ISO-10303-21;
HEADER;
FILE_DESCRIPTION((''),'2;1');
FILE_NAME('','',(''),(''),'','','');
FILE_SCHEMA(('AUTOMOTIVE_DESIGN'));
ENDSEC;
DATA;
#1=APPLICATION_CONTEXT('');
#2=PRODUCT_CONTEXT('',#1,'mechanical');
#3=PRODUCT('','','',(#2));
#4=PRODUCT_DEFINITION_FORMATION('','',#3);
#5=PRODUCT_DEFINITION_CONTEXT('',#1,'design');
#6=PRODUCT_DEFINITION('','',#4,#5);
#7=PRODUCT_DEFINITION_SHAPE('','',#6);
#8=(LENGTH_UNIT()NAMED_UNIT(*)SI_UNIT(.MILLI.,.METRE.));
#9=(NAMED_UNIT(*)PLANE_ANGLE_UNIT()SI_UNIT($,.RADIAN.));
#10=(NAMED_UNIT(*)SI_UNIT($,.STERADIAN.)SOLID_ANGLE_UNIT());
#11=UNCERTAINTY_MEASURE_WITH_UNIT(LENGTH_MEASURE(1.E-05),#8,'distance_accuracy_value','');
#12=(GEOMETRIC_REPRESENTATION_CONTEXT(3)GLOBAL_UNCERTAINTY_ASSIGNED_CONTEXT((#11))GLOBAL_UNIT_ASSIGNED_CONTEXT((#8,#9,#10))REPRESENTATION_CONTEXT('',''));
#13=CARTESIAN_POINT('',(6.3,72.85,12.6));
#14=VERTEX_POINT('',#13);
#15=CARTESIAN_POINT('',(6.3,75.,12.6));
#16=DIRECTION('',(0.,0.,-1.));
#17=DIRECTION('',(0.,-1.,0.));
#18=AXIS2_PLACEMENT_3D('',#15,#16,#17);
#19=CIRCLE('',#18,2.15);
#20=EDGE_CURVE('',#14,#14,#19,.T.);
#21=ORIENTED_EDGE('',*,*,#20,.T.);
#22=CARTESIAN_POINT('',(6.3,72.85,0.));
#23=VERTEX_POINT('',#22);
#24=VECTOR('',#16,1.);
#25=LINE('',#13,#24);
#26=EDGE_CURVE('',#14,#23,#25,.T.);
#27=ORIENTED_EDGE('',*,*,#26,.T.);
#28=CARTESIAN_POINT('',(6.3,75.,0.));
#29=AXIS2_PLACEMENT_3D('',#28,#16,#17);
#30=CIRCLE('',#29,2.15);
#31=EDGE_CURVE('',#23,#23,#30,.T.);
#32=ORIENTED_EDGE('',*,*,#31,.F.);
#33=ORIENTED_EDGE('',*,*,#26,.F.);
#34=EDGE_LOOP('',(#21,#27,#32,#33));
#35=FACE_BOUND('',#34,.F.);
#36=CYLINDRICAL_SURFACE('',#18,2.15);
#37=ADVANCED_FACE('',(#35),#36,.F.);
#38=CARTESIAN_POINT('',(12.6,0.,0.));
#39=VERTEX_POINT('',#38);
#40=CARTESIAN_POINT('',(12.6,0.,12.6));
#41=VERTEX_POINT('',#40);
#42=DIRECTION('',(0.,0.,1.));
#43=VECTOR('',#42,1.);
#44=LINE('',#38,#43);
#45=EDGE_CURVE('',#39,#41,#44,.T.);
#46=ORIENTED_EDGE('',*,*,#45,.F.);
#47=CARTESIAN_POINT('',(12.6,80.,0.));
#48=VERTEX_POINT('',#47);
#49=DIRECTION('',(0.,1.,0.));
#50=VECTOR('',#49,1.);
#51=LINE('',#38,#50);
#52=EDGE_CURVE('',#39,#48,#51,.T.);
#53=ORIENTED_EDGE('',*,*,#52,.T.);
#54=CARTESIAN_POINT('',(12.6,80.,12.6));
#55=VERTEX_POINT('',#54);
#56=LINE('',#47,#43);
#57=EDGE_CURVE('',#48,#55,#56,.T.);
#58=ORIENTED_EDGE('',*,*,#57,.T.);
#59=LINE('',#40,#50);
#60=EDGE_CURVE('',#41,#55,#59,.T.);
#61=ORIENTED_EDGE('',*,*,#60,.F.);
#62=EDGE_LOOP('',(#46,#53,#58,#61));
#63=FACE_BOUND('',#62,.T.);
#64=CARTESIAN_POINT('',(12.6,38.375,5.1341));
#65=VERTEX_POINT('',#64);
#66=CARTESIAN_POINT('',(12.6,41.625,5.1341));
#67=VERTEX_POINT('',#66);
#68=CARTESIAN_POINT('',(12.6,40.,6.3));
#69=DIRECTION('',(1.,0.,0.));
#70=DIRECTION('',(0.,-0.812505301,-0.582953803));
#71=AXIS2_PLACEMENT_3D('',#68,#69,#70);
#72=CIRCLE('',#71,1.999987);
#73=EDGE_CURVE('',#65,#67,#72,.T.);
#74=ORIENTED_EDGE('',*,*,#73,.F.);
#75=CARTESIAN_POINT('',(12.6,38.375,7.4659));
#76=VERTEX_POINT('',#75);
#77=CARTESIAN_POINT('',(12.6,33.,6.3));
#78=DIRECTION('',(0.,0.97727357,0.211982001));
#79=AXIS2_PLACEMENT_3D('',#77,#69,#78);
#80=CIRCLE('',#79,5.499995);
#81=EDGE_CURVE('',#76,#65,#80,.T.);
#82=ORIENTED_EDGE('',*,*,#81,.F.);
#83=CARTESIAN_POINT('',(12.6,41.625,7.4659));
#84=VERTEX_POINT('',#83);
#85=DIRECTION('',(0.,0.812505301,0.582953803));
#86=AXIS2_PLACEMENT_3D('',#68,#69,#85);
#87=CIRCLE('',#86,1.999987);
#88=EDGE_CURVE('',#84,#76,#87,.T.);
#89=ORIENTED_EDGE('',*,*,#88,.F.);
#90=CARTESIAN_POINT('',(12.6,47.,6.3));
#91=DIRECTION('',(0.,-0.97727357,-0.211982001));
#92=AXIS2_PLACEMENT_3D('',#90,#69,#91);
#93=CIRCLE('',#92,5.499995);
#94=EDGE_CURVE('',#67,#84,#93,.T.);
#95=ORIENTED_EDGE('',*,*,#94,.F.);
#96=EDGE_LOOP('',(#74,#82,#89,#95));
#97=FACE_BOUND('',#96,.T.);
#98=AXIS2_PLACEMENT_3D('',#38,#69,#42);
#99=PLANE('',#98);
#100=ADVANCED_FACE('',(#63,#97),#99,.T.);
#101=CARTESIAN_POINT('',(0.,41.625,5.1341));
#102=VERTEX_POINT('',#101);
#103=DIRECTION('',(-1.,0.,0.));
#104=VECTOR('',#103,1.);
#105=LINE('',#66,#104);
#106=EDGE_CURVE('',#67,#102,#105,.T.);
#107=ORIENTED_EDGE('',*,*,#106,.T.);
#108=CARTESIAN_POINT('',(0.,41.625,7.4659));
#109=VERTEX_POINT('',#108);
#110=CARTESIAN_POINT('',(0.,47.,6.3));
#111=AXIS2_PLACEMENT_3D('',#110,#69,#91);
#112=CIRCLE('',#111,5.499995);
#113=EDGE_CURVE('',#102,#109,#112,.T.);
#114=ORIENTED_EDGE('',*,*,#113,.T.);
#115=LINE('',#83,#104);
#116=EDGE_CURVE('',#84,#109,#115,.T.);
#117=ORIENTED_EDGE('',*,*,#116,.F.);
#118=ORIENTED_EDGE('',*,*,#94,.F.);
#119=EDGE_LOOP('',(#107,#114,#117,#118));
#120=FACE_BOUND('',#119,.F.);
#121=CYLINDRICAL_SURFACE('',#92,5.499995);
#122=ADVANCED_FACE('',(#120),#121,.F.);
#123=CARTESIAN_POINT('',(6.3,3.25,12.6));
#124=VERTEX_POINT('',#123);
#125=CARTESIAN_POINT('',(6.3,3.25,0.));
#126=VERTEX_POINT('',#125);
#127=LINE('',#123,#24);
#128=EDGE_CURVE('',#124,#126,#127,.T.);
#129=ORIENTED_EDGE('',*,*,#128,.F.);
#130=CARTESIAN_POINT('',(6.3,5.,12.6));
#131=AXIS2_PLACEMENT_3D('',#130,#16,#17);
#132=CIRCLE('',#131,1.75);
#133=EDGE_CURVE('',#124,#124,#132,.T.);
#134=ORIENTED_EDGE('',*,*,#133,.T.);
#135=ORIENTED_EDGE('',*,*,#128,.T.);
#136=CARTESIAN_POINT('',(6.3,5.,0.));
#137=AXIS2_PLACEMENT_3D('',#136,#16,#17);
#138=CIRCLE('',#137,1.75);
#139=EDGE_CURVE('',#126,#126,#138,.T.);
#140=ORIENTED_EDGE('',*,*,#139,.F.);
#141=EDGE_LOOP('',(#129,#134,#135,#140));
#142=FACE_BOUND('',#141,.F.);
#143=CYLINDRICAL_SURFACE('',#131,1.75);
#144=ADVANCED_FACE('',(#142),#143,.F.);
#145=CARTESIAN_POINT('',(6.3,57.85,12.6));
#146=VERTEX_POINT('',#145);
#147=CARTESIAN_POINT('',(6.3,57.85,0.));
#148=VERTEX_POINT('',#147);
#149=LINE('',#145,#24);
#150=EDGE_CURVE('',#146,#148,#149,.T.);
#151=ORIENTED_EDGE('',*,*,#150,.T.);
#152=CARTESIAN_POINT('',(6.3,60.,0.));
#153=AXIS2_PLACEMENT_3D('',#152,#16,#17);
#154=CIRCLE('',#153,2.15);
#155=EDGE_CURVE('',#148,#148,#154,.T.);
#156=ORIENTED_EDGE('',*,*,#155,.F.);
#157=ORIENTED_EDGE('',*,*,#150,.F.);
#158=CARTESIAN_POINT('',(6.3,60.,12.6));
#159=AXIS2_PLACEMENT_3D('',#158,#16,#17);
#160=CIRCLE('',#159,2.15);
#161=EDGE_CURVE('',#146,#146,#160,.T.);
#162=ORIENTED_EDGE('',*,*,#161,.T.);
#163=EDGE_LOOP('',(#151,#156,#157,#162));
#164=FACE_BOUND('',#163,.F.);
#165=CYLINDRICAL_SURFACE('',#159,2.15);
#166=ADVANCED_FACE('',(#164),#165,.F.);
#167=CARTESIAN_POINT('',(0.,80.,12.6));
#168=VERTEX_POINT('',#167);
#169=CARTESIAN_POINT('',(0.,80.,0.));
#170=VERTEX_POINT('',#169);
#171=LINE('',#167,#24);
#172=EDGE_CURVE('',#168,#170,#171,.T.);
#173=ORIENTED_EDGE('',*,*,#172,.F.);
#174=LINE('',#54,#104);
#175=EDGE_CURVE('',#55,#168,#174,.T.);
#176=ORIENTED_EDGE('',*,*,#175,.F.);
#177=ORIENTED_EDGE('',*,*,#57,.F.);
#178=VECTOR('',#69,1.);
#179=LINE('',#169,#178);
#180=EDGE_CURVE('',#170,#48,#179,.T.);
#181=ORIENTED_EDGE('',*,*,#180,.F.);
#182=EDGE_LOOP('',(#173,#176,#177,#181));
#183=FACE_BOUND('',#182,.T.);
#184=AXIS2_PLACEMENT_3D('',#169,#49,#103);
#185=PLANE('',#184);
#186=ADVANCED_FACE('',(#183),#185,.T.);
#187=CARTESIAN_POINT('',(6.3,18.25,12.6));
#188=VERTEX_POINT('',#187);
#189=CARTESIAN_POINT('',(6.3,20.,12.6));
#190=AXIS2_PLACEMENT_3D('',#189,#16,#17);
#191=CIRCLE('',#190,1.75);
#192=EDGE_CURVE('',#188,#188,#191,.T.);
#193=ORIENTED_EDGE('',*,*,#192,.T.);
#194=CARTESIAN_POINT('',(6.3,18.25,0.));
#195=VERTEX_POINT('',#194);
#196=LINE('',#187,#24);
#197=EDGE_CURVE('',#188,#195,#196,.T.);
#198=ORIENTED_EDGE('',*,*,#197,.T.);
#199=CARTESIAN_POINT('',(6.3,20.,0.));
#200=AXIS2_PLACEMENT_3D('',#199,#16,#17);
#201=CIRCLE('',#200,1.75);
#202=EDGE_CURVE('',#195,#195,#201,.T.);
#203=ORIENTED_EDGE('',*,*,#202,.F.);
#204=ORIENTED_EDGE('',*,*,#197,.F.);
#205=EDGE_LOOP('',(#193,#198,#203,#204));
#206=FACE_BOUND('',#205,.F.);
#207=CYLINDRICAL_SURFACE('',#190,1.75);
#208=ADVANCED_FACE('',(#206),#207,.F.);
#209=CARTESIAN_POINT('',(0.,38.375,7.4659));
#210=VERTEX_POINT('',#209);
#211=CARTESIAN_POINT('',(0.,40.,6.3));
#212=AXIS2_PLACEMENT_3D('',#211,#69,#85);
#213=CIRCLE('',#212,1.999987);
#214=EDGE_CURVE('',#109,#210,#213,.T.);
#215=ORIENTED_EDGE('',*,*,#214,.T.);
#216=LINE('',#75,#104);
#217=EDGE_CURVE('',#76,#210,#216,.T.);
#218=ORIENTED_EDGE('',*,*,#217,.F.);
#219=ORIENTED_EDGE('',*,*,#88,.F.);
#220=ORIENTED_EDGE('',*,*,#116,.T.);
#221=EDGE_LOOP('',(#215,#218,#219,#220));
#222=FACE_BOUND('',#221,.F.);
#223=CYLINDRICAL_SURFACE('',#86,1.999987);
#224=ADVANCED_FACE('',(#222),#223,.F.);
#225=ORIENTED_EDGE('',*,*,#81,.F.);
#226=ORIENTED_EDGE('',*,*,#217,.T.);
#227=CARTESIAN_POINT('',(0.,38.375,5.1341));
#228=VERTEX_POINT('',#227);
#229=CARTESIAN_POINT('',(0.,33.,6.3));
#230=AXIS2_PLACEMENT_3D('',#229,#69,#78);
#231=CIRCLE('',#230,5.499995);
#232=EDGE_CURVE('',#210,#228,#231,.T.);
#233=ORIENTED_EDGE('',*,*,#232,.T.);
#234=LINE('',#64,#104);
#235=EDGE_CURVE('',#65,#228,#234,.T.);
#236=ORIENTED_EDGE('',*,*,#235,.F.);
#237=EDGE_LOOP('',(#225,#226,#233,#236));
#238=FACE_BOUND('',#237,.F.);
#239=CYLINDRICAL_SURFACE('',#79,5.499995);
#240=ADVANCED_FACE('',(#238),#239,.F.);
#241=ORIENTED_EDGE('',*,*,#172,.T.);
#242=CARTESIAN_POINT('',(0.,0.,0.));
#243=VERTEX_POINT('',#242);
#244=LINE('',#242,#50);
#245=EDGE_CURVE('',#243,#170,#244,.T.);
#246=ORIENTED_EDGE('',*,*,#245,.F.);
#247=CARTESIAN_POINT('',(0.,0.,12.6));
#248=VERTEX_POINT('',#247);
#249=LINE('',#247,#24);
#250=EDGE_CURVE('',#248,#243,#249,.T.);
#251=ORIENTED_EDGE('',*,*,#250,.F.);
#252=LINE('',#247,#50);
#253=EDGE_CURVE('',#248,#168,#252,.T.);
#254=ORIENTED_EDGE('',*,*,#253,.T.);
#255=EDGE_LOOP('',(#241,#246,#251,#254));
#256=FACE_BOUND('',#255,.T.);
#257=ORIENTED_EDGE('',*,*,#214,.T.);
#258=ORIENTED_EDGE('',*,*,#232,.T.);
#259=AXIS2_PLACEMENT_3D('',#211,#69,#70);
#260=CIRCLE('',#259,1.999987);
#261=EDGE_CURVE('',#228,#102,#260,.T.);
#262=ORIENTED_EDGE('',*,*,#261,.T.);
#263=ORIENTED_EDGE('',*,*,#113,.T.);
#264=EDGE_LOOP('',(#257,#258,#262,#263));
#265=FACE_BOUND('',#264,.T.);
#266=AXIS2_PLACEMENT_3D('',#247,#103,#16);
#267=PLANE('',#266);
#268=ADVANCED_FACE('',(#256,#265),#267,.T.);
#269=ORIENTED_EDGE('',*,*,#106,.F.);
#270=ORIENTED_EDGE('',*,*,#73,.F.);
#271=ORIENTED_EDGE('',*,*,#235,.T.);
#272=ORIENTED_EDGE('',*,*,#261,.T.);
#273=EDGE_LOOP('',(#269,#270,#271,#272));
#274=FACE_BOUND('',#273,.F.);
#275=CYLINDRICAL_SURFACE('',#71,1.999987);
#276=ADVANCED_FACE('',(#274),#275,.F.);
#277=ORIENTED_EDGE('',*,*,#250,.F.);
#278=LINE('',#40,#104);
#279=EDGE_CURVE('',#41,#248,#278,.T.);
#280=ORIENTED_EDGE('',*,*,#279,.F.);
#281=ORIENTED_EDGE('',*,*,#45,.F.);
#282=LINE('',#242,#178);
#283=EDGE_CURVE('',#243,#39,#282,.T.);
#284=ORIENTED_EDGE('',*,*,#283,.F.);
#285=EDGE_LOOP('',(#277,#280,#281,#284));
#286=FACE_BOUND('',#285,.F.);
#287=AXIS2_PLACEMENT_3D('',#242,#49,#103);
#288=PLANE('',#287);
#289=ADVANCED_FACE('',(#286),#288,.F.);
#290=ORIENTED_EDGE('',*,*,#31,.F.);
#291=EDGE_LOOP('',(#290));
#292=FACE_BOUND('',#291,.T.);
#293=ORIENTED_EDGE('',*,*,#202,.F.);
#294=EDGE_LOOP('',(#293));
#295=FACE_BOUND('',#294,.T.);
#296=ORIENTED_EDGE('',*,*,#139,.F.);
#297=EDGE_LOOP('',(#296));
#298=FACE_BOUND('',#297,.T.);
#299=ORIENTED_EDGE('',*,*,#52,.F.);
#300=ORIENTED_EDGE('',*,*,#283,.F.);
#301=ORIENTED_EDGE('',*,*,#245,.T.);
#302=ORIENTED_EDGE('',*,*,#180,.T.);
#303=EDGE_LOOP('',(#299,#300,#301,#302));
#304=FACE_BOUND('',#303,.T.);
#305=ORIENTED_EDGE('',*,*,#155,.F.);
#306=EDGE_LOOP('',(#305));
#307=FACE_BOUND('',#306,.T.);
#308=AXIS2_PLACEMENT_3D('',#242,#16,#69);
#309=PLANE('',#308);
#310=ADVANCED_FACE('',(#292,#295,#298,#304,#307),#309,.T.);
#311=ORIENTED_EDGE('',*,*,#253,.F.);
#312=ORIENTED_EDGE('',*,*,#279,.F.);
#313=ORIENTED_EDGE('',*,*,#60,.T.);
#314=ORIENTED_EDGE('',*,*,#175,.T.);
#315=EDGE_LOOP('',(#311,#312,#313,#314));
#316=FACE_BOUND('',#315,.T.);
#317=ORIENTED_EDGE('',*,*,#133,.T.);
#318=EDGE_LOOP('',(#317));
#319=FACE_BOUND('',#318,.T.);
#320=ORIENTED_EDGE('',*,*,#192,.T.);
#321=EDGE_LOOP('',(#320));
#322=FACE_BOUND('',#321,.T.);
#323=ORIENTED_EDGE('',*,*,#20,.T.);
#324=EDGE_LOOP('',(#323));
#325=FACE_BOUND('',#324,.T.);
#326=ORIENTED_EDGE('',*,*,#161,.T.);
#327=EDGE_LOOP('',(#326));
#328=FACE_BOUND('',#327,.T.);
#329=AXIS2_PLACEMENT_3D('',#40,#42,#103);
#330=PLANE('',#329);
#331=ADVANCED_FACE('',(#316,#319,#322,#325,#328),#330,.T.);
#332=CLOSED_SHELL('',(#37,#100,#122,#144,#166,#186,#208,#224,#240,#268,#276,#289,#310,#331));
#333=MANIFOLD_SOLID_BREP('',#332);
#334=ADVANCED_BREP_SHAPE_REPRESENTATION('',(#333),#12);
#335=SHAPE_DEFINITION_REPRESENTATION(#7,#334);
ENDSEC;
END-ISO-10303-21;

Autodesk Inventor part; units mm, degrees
ref_plane "YZ Plane" through (0, 0, 0) normal (1, 0, 0) x (0, 1, 0)
ref_plane "XZ Plane" through (0, 0, 0) normal (0, 1, 0) x (-1, 0, 0)
ref_plane "XY Plane" through (0, 0, 0) normal (0, 0, 1) x (1, 0, 0)
sketch "Szkic1" plane through (0, 0, 0) normal (0, 0, 1) x (1, 0, 0)
  point P0 (0, 0)
sketch "Szkic2" plane through (0, 0, 0) normal (0, 1, 0) x (-1, 0, 0)
  line L0 (0, 0) -> (-12.6, 0)
  line L1 (-12.6, 0) -> (-12.6, 12.6)
  line L2 (-12.6, 12.6) -> (0, 12.6)
  line L3 (0, 12.6) -> (0, 0)
  dimension "d0" = 12.6
  dimension "d1" = 12.6
extrude "Wyciągnięcie proste1" add sketch "Szkic2" along normal blind 80
sketch "Szkic3" plane through (12.6, 0, 12.6) normal (1, 0, 0) x (0, 0, -1)
  line L0 (12.6, 0) -> (0, 0) projected
  line L1 (12.6, 0) -> (12.6, 80) projected
  line L2 (0, 80) -> (12.6, 80) projected
  line L3 (0, 0) -> (0, 80) projected
  arc A0 (5.1341, 38.375) -> (7.4659, 38.375) centre (6.3, 33) ccw
  arc A1 (7.4659, 41.625) -> (5.1341, 41.625) centre (6.3, 47) ccw
  arc A2 (5.1341, 41.625) -> (5.1341, 38.375) centre (6.3, 40) ccw
  arc A3 (7.4659, 38.375) -> (7.4659, 41.625) centre (6.3, 40) ccw
  dimension "d5" = 11
  dimension "d6" = 33
  dimension "d7" = 11
  dimension "d8" = 33
extrude "Wyciągnięcie proste2" cut sketch "Szkic3" against normal blind 80 contours A2 A1 A3 A0
sketch "Szkic4" plane through (0, 0, 12.6) normal (0, 0, 1) x (1, 0, 0)
  line L0 (12.6, 27.5) -> (0, 27.5) projected
  line L1 (12.6, 0) -> (0, 0) projected
  line L2 (12.6, 0) -> (12.6, 80) projected
  line L3 (0, 80) -> (12.6, 80) projected
  line L4 (0, 0) -> (0, 80) projected
  point P0 (6.3, 5)
  point P1 (6.3, 20)
  point P2 (6.3, 60)
  point P3 (6.3, 75)
  dimension "d11" = 5
  dimension "d12" = 15
  dimension "d13" = 5
  dimension "d15" = 15
hole "Otwór1" at (6.3, 5, 12.6) at (6.3, 20, 12.6) direction (0, 0, -1) diameter 3.5 end through all
hole "Otwór2" at (6.3, 60, 12.6) at (6.3, 75, 12.6) direction (0, 0, -1) diameter 4.3 end through all
properties part number "belka_tensometryczna"
